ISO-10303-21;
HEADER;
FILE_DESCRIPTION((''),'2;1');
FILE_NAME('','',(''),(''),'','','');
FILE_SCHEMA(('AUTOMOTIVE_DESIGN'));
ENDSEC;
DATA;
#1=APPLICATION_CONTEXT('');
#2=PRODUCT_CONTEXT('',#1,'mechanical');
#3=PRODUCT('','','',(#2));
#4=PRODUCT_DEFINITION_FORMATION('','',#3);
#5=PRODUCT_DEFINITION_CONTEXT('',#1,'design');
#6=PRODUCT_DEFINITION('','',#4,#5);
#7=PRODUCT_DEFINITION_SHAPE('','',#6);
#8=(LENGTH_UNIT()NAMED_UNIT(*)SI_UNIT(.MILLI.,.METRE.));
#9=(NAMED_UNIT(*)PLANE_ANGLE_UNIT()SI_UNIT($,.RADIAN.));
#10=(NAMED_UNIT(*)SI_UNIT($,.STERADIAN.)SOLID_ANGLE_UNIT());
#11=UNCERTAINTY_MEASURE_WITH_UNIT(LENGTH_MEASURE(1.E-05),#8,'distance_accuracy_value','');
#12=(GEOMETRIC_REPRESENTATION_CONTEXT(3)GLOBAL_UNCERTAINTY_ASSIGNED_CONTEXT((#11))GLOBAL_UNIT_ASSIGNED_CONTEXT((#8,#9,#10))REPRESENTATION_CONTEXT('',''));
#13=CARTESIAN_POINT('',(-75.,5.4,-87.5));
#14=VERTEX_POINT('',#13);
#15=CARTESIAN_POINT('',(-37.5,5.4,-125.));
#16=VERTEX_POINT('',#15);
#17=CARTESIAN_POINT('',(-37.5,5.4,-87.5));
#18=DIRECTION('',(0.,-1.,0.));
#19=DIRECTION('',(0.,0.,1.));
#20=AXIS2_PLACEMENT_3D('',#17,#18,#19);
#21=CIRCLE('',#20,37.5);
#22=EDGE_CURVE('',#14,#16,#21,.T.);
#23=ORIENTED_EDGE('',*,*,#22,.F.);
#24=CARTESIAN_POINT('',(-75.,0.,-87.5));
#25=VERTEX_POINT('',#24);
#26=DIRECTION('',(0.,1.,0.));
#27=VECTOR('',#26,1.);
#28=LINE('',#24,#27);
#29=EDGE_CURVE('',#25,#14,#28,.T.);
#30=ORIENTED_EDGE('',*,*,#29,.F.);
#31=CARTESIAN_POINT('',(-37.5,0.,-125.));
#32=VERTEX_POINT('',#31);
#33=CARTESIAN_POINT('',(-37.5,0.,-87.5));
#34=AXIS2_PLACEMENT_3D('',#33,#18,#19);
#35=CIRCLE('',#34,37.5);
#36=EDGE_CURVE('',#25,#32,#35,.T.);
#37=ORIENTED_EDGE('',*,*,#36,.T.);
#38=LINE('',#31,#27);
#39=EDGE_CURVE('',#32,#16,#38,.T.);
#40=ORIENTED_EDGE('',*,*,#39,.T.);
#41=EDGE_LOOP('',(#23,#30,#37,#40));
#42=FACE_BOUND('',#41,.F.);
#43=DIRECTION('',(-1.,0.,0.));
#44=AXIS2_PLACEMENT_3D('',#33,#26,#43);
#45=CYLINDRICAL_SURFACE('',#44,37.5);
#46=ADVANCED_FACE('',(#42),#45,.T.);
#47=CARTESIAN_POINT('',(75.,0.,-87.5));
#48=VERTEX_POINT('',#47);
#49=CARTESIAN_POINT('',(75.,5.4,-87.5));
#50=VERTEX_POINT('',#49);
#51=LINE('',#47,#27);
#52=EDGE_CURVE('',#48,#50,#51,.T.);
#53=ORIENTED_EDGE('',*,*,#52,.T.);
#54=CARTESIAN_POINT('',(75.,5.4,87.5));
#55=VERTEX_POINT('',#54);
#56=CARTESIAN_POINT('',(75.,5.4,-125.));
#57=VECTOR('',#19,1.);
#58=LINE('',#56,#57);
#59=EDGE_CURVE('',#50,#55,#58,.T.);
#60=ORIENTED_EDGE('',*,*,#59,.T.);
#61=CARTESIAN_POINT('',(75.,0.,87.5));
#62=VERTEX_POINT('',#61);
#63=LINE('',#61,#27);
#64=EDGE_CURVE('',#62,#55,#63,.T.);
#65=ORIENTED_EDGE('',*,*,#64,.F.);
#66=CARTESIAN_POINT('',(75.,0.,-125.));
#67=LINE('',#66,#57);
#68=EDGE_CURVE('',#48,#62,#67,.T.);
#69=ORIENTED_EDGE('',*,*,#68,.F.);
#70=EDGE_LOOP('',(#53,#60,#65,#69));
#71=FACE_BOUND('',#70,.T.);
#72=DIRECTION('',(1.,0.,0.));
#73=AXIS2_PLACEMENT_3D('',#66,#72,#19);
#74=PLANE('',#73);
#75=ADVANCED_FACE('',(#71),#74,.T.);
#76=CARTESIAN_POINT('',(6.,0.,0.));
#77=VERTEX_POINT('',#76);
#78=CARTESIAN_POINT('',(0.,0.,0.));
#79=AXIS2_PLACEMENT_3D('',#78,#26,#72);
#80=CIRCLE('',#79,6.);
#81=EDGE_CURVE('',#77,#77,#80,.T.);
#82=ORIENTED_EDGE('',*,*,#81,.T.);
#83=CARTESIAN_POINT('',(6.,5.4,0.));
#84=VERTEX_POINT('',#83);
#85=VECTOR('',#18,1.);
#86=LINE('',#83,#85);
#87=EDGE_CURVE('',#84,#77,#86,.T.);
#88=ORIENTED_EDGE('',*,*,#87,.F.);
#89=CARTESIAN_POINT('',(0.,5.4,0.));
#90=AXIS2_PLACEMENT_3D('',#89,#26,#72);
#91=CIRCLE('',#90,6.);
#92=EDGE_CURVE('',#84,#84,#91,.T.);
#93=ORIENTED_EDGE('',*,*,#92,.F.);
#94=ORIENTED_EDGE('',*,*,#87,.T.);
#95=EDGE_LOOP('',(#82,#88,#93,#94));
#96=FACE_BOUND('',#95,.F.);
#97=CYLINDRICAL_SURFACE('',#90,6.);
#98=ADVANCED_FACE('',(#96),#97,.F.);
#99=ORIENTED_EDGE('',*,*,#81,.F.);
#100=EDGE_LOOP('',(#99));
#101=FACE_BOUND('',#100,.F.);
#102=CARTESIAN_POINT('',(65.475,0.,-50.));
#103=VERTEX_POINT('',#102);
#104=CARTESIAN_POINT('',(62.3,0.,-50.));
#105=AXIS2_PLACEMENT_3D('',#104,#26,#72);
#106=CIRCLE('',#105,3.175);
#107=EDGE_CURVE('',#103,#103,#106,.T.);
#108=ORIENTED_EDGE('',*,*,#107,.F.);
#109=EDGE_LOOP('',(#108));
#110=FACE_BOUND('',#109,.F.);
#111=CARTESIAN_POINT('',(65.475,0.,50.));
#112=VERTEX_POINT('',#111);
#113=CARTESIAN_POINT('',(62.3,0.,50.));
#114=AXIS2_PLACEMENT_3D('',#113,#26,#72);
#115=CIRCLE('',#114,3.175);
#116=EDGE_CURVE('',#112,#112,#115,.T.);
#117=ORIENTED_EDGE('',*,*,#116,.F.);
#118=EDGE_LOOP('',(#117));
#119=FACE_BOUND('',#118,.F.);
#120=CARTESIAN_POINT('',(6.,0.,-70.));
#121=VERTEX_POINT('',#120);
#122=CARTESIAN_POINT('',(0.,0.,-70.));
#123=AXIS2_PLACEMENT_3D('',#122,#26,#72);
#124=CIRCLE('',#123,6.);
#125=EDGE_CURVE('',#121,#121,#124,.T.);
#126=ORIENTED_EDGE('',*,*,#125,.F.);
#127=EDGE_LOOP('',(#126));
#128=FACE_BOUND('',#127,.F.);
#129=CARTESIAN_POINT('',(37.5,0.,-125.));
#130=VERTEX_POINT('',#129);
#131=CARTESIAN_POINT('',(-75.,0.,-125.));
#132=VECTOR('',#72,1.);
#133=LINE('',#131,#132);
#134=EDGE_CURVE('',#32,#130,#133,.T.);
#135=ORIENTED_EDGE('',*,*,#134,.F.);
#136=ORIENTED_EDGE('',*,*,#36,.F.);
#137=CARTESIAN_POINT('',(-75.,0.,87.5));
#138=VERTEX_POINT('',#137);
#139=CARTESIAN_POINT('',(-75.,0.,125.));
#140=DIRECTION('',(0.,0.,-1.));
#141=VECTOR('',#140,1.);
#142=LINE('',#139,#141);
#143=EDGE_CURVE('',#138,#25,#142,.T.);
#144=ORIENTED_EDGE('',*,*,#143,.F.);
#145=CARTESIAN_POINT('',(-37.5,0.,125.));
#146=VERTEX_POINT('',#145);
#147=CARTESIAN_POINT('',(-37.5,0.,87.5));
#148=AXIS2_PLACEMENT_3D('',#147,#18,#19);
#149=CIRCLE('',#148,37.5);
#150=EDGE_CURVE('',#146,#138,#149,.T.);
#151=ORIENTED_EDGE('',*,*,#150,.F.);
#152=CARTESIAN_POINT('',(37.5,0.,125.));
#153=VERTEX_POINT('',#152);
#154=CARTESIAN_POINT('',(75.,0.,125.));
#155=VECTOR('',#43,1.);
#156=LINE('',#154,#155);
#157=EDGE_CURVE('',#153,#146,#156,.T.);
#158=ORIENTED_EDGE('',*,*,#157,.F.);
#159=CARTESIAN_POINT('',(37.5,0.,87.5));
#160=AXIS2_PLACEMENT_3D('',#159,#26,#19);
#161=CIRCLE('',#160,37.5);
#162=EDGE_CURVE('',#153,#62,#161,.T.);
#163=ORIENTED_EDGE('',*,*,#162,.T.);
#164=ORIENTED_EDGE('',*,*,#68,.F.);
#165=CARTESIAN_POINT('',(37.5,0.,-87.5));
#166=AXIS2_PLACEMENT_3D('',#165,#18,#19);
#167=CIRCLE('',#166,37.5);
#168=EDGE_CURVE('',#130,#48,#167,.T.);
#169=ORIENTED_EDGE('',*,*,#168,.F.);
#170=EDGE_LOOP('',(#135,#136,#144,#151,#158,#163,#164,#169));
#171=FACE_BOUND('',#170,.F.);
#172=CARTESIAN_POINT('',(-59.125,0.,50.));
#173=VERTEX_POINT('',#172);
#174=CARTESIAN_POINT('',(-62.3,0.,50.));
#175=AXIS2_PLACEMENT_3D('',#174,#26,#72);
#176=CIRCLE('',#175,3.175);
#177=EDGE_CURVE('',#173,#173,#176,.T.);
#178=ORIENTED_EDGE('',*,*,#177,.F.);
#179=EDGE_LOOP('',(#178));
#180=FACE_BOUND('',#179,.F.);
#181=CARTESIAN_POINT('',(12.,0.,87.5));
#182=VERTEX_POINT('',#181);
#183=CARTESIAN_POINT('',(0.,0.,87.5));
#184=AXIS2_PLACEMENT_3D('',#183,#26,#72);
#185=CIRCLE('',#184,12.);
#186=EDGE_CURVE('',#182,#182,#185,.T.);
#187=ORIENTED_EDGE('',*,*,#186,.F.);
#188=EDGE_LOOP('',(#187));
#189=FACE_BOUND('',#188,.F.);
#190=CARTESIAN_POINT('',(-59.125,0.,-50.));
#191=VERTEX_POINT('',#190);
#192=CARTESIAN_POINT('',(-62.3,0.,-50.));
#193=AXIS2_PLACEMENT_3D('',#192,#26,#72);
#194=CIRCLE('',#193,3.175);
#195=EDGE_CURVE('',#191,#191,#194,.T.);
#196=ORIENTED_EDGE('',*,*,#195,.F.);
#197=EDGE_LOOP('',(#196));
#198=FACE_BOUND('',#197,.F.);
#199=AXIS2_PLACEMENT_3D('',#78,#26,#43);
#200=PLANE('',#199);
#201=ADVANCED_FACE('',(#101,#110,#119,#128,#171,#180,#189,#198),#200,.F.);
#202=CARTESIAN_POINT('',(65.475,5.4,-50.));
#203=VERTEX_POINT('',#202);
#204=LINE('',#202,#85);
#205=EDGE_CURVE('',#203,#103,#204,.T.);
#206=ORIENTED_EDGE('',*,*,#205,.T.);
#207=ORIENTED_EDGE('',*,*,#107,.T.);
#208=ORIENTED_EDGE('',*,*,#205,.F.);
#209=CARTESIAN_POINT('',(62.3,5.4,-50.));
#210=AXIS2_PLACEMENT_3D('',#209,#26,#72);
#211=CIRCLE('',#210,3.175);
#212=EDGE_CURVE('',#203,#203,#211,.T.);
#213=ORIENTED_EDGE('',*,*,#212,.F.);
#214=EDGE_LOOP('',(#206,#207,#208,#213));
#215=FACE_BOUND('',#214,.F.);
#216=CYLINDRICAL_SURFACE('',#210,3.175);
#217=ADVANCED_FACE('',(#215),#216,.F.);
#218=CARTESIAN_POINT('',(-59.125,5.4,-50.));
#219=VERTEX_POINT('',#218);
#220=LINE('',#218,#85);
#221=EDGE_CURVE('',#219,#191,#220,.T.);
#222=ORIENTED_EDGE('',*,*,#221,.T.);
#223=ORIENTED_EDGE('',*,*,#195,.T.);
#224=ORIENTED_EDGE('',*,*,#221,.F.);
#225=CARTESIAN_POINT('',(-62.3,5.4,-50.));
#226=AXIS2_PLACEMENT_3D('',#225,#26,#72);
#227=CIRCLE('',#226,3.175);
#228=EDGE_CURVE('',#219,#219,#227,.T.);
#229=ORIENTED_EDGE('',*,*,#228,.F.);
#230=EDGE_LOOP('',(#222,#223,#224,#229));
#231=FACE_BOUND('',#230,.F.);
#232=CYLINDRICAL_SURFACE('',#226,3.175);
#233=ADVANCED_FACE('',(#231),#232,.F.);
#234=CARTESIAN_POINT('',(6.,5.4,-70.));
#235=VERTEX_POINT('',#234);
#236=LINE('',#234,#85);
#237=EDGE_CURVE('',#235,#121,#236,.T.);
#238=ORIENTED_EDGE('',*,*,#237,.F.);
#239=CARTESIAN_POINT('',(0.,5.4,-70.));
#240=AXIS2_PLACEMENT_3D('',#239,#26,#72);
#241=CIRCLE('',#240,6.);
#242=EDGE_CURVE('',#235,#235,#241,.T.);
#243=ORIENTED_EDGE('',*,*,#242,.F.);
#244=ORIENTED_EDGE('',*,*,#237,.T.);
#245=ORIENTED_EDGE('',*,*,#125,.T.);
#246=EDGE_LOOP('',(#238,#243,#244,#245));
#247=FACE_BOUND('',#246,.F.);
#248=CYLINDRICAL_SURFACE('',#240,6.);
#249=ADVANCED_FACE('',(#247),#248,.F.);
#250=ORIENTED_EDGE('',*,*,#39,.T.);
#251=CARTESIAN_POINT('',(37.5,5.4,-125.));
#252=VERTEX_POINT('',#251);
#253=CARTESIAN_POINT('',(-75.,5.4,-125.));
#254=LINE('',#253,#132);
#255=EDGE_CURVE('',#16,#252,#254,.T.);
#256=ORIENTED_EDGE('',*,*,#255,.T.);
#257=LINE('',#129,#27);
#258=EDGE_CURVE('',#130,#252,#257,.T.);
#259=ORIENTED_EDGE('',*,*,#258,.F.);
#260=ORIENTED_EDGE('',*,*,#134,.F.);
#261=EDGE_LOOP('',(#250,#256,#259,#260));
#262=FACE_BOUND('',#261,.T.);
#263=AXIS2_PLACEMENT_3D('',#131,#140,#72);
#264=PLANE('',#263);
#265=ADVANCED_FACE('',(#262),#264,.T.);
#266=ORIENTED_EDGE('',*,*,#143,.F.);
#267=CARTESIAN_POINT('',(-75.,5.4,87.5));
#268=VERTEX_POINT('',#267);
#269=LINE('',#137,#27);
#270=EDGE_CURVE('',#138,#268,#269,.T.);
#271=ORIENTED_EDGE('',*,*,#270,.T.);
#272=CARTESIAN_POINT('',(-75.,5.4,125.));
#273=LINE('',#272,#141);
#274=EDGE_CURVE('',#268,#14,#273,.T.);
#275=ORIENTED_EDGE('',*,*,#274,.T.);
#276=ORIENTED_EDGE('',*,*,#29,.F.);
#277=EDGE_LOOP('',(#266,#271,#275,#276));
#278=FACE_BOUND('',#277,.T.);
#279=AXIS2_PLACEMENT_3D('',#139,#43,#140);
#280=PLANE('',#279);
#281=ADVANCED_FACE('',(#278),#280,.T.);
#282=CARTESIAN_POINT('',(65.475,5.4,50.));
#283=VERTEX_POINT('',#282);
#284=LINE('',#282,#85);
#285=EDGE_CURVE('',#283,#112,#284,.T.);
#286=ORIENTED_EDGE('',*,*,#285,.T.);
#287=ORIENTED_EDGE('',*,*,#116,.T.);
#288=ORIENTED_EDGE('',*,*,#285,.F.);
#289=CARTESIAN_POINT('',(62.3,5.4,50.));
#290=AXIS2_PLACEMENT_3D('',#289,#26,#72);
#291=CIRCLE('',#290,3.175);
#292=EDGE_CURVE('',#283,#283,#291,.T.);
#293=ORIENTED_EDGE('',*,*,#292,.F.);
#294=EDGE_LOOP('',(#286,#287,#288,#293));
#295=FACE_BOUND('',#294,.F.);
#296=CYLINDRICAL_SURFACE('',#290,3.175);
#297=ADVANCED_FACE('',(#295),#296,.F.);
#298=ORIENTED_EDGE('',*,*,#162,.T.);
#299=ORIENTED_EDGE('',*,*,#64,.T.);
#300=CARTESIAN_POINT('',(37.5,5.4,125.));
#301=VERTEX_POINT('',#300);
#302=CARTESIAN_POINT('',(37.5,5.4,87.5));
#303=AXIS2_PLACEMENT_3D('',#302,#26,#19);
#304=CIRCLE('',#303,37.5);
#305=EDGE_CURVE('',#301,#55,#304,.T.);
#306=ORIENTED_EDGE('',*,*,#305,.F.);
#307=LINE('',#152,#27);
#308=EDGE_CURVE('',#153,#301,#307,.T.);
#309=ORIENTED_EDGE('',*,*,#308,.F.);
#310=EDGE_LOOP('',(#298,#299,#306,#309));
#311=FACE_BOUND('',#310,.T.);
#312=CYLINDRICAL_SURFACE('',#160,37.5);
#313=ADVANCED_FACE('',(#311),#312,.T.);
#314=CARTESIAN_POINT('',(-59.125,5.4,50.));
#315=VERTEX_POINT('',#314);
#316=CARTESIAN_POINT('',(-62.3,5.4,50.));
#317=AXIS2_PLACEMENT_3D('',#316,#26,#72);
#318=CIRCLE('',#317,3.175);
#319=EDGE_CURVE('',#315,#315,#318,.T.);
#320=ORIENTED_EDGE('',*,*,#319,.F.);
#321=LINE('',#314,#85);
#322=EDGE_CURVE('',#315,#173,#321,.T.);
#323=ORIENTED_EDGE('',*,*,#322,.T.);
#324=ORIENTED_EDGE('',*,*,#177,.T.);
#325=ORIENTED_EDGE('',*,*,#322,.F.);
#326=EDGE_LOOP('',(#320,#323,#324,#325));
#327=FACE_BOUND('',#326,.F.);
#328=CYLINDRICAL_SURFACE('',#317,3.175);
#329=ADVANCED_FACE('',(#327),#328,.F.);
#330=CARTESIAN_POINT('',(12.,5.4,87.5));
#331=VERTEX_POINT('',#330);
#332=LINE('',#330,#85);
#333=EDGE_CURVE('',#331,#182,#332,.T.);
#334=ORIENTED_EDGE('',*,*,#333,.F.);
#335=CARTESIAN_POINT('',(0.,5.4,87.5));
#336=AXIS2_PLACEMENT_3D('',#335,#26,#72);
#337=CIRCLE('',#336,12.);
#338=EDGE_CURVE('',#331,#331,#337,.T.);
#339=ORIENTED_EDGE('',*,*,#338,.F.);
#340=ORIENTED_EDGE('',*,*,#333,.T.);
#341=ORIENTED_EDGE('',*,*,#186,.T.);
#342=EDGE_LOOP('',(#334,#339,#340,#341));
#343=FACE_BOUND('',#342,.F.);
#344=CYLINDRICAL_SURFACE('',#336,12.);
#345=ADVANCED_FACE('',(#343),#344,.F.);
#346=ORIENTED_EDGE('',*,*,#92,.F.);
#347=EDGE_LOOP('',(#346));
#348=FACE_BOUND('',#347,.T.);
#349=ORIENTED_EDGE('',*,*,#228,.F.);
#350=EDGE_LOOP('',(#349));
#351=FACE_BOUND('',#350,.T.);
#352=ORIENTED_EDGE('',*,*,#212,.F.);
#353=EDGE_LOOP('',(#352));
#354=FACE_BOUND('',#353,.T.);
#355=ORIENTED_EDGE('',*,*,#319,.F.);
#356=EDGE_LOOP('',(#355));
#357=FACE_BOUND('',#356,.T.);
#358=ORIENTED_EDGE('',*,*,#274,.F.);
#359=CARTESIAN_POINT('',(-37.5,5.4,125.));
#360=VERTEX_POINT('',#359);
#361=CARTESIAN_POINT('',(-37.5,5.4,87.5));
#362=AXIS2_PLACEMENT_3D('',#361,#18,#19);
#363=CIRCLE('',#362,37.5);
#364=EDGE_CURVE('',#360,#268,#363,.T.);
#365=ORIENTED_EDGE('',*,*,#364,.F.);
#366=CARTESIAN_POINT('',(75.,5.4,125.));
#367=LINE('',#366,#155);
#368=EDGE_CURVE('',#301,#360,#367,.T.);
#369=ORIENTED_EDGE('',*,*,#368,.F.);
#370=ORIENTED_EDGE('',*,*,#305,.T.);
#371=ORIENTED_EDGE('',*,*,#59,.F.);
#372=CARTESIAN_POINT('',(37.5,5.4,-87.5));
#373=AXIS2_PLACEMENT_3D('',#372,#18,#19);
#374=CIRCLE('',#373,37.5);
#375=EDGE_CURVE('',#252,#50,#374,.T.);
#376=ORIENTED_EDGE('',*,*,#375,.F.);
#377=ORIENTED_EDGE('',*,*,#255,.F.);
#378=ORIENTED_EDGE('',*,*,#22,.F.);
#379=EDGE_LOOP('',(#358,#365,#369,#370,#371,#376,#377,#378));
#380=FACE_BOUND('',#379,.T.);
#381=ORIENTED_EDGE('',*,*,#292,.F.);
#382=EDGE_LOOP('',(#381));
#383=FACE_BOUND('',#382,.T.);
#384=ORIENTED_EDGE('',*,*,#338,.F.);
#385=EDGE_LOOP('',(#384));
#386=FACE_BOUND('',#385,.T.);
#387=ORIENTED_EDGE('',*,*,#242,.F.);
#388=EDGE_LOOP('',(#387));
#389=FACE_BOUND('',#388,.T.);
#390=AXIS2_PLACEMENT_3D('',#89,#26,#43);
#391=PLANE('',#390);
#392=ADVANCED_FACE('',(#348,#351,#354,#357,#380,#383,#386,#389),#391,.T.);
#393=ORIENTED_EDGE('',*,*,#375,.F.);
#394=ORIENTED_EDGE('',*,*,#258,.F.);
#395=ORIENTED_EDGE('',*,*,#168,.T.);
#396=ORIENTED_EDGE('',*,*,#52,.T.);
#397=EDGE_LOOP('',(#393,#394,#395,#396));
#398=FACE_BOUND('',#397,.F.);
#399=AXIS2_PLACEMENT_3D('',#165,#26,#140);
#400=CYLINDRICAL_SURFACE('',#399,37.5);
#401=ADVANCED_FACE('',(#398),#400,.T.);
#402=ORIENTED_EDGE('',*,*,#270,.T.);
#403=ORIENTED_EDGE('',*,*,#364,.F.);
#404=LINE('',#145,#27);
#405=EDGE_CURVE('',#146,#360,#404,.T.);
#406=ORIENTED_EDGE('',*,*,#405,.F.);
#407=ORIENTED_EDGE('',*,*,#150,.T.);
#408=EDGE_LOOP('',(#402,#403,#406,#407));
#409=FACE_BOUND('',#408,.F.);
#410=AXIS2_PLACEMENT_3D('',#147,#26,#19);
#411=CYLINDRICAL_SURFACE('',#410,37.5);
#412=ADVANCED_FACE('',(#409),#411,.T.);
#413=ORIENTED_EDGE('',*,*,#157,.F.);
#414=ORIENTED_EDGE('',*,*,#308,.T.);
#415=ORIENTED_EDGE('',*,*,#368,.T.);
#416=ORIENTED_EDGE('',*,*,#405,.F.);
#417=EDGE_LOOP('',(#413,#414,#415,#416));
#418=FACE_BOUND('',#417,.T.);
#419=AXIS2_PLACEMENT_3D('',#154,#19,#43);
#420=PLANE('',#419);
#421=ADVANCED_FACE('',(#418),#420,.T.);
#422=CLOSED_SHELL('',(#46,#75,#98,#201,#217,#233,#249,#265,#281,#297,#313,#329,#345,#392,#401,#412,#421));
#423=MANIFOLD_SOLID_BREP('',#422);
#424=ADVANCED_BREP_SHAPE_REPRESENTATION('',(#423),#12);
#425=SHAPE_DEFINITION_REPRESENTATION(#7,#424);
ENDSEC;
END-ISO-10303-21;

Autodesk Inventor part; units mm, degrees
ref_plane "YZ Plane" through (0, 0, 0) normal (1, 0, 0) x (0, 1, 0)
ref_plane "XZ Plane" through (0, 0, 0) normal (0, 1, 0) x (-1, 0, 0)
ref_plane "XY Plane" through (0, 0, 0) normal (0, 0, 1) x (1, 0, 0)
sketch "Sketch1" plane through (0, 0, 0) normal (0, 1, 0) x (-1, 0, 0)
  line L0 (-75, 125) -> (75, 125)
  line L1 (75, 125) -> (75, -125)
  line L2 (75, -125) -> (-75, -125)
  line L3 (-75, -125) -> (-75, 125)
  line L4 (-75, 125) -> (75, -125) construction
  line L5 (75, 125) -> (-75, -125) construction
  point P0 (0, 0)
  dimension "d0" = 150
  dimension "d1" = 250
extrude "Extrusion1" add sketch "Sketch1" along normal blind 5.4
fillet "Fillet1" radius 37.5 4 edges at (75, 2.7, 125) (75, 2.7, -125) (-75, 2.7, 125) (-75, 2.7, -125)
sketch "Sketch2" plane through (0, 5.4, 0) normal (0, 1, 0) x (1, 0, 0)
  line L0 (37.5, -125) -> (-37.5, -125)
  line L1 (-37.5, -125) -> (-37.5, -50)
  line L2 (-37.5, -50) -> (37.5, -50)
  line L3 (37.5, -50) -> (37.5, -125)
  line L4 (-37.5, -125) -> (37.5, -125) projected
  line L5 (-75, 87.5) -> (-75, -87.5) projected
  circle A0 centre (0, -87.5) radius 12
  point P0 (0, 0)
  point P1 (-37.5, -87.5)
  point P2 (0, -50)
  dimension "d6" = 75
  dimension "d7" = 0
  dimension "d9" = 24
  dimension "d10" = 37.5
  dimension "d11" = 37.5
extrude "Extrusion2" cut sketch "Sketch2" against normal blind 20.5 contours A0
sketch "Sketch3" plane through (0, 5.4, 0) normal (0, 1, 0) x (1, 0, 0)
  circle A0 centre (0, 0) radius 6
  circle A1 centre (0, 70) radius 6
  line L0 (37.5, 125) -> (-37.5, 125) projected
  line L1 (-75, 87.5) -> (-75, -87.5) projected
  line L2 (-37.5, -125) -> (37.5, -125) projected
  line L3 (75, -87.5) -> (75, 87.5) projected
  point P0 (0, 125)
  point P1 (0, 125)
  point P2 (0, -125)
  dimension "d15" = 12
  dimension "d16" = 55
  dimension "d21" = 75
  dimension "d22" = 125
  dimension "d23" = 250
  dimension "d24" = 150
extrude "Extrusion3" cut sketch "Sketch3" against normal blind 40
sketch "Sketch4" plane through (0, 5.4, 0) normal (0, 1, 0) x (1, 0, 0)
  circle A0 centre (-62.3, 50) radius 3.175
  line L0 (37.5, 125) -> (-37.5, 125) projected
  line L1 (-75, 87.5) -> (-75, -87.5) projected
  circle A1 centre (-62.3, -50) radius 3.175
  circle A2 centre (62.3, 50) radius 3.175
  circle A3 centre (62.3, -50) radius 3.175
  point P0 (0, 0)
  dimension "d27" = 100
  dimension "d30" = 124.6
  dimension "d33" = 12.7
  dimension "d34" = 6.35
  dimension "d35" = 50
extrude "Extrusion4" cut sketch "Sketch4" against normal blind 40
equation "\"d21\" = 0.5 * d24"
equation "\"d22\" = 0.5 * d23"
equation "\"d27\" = 2 * d35"
properties part number "Plate"
